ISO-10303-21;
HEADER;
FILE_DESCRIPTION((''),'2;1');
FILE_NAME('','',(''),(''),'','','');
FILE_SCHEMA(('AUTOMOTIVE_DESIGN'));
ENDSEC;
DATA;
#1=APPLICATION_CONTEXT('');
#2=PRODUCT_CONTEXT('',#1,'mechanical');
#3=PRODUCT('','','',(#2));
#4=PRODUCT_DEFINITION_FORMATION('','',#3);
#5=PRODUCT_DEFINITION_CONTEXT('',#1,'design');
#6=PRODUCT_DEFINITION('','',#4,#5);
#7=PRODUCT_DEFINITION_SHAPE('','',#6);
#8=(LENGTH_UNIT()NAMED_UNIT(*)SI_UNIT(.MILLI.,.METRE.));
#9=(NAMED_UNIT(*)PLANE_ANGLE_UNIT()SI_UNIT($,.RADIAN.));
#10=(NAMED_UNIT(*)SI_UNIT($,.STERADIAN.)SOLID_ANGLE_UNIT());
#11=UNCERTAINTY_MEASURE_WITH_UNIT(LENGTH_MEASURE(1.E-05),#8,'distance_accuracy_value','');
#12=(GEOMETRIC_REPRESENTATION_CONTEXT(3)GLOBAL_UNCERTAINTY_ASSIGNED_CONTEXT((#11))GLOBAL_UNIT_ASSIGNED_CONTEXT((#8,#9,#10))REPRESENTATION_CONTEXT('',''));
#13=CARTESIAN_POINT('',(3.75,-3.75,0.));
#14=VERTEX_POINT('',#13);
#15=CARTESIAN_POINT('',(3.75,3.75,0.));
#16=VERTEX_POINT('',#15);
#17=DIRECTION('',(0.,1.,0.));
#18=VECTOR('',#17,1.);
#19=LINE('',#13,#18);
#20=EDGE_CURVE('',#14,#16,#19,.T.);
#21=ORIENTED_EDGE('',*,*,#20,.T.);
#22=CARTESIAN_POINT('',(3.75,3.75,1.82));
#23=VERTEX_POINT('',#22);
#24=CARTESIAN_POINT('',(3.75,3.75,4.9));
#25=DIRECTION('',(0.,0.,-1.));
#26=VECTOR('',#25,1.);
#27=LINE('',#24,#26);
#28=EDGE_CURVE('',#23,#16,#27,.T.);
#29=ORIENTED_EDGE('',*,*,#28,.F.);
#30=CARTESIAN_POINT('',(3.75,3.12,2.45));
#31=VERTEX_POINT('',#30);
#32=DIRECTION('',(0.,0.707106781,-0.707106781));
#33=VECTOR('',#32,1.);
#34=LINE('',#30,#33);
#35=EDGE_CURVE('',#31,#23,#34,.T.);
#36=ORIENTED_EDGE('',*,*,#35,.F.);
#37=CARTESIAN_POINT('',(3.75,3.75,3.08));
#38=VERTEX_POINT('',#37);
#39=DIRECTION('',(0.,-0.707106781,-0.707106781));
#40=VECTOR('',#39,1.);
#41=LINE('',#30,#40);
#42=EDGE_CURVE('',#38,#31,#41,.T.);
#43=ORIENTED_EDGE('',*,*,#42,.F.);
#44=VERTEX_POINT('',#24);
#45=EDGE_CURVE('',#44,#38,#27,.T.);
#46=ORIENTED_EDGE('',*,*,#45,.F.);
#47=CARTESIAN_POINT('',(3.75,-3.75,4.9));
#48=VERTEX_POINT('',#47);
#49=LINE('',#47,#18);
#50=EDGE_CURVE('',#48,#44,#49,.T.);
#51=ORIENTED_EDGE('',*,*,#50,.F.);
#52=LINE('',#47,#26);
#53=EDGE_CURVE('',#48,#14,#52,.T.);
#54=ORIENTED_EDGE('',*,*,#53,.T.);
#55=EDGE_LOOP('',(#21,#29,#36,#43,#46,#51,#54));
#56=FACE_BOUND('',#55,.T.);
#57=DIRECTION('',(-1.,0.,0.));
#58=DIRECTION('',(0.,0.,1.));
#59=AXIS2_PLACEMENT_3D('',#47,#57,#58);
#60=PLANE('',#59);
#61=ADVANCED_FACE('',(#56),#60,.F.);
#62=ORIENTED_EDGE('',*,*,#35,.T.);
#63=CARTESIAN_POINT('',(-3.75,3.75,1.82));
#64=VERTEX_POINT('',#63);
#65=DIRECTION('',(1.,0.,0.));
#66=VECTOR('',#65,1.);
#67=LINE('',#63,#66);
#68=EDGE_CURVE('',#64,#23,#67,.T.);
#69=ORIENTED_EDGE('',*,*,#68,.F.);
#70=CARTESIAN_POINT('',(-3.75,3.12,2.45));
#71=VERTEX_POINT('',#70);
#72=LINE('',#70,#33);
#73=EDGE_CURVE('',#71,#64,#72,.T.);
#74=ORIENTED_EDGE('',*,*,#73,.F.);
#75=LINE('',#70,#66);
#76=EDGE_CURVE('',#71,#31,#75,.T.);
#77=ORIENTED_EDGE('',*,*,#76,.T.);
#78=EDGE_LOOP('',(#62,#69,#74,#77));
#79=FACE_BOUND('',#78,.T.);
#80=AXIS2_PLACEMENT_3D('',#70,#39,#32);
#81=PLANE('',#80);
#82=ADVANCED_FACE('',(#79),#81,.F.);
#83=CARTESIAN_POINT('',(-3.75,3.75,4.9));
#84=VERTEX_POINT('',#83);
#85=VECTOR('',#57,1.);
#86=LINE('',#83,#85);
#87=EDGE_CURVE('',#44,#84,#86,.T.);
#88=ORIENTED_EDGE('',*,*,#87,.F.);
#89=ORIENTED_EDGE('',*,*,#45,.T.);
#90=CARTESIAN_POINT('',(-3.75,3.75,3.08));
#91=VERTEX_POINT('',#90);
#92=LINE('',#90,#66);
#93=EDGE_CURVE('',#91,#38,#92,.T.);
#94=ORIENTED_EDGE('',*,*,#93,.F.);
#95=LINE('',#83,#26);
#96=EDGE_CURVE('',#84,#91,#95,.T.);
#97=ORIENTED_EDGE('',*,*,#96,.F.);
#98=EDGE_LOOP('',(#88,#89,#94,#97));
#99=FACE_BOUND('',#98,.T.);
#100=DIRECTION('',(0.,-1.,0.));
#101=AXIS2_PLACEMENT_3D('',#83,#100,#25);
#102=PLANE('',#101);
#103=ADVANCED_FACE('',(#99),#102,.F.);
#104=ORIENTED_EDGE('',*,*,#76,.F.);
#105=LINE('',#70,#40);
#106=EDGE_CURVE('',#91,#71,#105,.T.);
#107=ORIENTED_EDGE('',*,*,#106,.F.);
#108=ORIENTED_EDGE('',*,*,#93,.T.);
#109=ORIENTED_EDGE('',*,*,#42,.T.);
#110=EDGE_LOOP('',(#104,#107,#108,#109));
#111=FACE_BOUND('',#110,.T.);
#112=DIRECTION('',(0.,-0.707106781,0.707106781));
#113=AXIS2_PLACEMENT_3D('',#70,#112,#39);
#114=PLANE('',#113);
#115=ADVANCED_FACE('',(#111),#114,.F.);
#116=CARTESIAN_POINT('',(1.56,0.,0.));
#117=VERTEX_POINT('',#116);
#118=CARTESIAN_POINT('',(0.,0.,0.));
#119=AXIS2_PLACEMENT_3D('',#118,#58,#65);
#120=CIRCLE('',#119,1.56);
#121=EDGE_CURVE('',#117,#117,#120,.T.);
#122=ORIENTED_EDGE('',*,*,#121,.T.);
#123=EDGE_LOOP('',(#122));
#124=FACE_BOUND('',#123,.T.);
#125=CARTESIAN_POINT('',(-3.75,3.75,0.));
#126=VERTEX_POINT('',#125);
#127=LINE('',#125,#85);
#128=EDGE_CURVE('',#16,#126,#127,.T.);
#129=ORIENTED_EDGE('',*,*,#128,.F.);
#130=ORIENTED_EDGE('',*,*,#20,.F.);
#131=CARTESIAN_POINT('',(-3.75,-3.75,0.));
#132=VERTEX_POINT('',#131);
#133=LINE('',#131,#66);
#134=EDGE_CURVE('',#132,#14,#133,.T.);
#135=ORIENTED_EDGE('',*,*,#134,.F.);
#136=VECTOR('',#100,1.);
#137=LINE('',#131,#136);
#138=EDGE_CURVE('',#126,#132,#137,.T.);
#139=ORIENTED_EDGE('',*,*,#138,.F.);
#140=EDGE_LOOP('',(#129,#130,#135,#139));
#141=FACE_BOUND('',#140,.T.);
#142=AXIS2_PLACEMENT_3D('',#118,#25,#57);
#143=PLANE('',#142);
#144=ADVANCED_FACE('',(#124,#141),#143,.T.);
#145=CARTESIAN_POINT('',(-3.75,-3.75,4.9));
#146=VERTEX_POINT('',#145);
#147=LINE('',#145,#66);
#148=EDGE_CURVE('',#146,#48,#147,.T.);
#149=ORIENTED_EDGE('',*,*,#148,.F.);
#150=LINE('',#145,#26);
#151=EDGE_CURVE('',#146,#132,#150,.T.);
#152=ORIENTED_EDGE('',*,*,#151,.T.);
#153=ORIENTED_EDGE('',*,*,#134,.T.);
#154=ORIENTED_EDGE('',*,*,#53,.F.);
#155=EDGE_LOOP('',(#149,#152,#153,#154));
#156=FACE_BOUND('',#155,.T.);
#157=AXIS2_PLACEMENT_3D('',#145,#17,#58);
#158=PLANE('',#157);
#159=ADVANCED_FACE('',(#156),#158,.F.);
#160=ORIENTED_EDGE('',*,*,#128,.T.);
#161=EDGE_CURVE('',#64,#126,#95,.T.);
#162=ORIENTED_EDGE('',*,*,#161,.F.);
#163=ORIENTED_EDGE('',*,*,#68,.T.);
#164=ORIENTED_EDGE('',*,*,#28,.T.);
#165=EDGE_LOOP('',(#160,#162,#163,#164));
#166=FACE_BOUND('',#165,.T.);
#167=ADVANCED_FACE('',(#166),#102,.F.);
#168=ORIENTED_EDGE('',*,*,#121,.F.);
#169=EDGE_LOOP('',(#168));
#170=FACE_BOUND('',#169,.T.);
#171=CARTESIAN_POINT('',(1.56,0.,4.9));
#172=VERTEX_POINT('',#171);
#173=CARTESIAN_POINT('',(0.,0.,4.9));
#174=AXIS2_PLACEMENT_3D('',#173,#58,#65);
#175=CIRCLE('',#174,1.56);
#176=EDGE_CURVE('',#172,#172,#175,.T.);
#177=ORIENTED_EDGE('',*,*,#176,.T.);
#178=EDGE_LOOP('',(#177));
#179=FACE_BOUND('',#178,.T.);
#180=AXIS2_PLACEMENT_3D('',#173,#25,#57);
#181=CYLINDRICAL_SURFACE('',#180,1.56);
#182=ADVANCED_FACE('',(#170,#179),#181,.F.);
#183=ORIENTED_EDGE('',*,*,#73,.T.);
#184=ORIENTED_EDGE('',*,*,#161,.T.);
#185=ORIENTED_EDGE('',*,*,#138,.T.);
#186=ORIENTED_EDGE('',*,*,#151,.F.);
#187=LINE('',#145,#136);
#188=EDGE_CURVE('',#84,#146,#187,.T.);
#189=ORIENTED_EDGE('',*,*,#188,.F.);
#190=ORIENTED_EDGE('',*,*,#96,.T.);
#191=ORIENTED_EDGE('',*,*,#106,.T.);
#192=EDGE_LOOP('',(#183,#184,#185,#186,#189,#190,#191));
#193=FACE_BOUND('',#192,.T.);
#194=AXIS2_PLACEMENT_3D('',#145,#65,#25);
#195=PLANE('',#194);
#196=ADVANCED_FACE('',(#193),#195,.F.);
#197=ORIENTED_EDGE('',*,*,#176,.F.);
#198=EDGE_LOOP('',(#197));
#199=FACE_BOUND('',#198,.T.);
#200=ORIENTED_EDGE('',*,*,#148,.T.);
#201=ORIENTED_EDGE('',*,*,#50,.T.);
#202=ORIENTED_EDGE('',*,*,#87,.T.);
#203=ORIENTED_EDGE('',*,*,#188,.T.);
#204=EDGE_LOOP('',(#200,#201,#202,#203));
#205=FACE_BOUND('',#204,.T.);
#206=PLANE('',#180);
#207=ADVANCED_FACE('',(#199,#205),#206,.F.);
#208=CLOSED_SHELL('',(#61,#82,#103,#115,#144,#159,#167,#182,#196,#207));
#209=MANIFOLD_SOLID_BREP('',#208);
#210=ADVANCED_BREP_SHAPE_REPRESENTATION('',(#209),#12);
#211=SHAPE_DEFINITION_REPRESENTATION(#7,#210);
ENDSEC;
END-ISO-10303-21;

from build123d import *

# Parameters (mm, degrees)
SKETCH1_W               = 7.5
SKETCH1_H               = 7.5
SKETCH1_R               = 1.56
BOSS_EXTRUDE1_DEPTH     = 4.9
CUT_EXTRUDE1_DEPTH      = 4.75
CUT_EXTRUDE1_DEPTH_BACK = 4.75


with BuildPart() as part:
    # Sketch1 → Boss-Extrude1 (new body)
    with BuildSketch(Plane.XY):
        Rectangle(SKETCH1_W, SKETCH1_H)
        Circle(SKETCH1_R, mode=Mode.SUBTRACT)
    extrude(amount=BOSS_EXTRUDE1_DEPTH)

    # Sketch5 → Cut-Extrude1 (cut, two sides)
    with BuildSketch(Plane(origin=(0, 0, 0), x_dir=(0, 0, -1), z_dir=(1, 0, 0))) as cut_extrude1_sk:
        Polygon((-2.45, 3.12), (-3.08, 3.75), (-1.82, 3.75), align=None)
    extrude(amount=CUT_EXTRUDE1_DEPTH, mode=Mode.SUBTRACT)
    extrude(cut_extrude1_sk.sketch, amount=-CUT_EXTRUDE1_DEPTH_BACK, mode=Mode.SUBTRACT)


solid = part.part
